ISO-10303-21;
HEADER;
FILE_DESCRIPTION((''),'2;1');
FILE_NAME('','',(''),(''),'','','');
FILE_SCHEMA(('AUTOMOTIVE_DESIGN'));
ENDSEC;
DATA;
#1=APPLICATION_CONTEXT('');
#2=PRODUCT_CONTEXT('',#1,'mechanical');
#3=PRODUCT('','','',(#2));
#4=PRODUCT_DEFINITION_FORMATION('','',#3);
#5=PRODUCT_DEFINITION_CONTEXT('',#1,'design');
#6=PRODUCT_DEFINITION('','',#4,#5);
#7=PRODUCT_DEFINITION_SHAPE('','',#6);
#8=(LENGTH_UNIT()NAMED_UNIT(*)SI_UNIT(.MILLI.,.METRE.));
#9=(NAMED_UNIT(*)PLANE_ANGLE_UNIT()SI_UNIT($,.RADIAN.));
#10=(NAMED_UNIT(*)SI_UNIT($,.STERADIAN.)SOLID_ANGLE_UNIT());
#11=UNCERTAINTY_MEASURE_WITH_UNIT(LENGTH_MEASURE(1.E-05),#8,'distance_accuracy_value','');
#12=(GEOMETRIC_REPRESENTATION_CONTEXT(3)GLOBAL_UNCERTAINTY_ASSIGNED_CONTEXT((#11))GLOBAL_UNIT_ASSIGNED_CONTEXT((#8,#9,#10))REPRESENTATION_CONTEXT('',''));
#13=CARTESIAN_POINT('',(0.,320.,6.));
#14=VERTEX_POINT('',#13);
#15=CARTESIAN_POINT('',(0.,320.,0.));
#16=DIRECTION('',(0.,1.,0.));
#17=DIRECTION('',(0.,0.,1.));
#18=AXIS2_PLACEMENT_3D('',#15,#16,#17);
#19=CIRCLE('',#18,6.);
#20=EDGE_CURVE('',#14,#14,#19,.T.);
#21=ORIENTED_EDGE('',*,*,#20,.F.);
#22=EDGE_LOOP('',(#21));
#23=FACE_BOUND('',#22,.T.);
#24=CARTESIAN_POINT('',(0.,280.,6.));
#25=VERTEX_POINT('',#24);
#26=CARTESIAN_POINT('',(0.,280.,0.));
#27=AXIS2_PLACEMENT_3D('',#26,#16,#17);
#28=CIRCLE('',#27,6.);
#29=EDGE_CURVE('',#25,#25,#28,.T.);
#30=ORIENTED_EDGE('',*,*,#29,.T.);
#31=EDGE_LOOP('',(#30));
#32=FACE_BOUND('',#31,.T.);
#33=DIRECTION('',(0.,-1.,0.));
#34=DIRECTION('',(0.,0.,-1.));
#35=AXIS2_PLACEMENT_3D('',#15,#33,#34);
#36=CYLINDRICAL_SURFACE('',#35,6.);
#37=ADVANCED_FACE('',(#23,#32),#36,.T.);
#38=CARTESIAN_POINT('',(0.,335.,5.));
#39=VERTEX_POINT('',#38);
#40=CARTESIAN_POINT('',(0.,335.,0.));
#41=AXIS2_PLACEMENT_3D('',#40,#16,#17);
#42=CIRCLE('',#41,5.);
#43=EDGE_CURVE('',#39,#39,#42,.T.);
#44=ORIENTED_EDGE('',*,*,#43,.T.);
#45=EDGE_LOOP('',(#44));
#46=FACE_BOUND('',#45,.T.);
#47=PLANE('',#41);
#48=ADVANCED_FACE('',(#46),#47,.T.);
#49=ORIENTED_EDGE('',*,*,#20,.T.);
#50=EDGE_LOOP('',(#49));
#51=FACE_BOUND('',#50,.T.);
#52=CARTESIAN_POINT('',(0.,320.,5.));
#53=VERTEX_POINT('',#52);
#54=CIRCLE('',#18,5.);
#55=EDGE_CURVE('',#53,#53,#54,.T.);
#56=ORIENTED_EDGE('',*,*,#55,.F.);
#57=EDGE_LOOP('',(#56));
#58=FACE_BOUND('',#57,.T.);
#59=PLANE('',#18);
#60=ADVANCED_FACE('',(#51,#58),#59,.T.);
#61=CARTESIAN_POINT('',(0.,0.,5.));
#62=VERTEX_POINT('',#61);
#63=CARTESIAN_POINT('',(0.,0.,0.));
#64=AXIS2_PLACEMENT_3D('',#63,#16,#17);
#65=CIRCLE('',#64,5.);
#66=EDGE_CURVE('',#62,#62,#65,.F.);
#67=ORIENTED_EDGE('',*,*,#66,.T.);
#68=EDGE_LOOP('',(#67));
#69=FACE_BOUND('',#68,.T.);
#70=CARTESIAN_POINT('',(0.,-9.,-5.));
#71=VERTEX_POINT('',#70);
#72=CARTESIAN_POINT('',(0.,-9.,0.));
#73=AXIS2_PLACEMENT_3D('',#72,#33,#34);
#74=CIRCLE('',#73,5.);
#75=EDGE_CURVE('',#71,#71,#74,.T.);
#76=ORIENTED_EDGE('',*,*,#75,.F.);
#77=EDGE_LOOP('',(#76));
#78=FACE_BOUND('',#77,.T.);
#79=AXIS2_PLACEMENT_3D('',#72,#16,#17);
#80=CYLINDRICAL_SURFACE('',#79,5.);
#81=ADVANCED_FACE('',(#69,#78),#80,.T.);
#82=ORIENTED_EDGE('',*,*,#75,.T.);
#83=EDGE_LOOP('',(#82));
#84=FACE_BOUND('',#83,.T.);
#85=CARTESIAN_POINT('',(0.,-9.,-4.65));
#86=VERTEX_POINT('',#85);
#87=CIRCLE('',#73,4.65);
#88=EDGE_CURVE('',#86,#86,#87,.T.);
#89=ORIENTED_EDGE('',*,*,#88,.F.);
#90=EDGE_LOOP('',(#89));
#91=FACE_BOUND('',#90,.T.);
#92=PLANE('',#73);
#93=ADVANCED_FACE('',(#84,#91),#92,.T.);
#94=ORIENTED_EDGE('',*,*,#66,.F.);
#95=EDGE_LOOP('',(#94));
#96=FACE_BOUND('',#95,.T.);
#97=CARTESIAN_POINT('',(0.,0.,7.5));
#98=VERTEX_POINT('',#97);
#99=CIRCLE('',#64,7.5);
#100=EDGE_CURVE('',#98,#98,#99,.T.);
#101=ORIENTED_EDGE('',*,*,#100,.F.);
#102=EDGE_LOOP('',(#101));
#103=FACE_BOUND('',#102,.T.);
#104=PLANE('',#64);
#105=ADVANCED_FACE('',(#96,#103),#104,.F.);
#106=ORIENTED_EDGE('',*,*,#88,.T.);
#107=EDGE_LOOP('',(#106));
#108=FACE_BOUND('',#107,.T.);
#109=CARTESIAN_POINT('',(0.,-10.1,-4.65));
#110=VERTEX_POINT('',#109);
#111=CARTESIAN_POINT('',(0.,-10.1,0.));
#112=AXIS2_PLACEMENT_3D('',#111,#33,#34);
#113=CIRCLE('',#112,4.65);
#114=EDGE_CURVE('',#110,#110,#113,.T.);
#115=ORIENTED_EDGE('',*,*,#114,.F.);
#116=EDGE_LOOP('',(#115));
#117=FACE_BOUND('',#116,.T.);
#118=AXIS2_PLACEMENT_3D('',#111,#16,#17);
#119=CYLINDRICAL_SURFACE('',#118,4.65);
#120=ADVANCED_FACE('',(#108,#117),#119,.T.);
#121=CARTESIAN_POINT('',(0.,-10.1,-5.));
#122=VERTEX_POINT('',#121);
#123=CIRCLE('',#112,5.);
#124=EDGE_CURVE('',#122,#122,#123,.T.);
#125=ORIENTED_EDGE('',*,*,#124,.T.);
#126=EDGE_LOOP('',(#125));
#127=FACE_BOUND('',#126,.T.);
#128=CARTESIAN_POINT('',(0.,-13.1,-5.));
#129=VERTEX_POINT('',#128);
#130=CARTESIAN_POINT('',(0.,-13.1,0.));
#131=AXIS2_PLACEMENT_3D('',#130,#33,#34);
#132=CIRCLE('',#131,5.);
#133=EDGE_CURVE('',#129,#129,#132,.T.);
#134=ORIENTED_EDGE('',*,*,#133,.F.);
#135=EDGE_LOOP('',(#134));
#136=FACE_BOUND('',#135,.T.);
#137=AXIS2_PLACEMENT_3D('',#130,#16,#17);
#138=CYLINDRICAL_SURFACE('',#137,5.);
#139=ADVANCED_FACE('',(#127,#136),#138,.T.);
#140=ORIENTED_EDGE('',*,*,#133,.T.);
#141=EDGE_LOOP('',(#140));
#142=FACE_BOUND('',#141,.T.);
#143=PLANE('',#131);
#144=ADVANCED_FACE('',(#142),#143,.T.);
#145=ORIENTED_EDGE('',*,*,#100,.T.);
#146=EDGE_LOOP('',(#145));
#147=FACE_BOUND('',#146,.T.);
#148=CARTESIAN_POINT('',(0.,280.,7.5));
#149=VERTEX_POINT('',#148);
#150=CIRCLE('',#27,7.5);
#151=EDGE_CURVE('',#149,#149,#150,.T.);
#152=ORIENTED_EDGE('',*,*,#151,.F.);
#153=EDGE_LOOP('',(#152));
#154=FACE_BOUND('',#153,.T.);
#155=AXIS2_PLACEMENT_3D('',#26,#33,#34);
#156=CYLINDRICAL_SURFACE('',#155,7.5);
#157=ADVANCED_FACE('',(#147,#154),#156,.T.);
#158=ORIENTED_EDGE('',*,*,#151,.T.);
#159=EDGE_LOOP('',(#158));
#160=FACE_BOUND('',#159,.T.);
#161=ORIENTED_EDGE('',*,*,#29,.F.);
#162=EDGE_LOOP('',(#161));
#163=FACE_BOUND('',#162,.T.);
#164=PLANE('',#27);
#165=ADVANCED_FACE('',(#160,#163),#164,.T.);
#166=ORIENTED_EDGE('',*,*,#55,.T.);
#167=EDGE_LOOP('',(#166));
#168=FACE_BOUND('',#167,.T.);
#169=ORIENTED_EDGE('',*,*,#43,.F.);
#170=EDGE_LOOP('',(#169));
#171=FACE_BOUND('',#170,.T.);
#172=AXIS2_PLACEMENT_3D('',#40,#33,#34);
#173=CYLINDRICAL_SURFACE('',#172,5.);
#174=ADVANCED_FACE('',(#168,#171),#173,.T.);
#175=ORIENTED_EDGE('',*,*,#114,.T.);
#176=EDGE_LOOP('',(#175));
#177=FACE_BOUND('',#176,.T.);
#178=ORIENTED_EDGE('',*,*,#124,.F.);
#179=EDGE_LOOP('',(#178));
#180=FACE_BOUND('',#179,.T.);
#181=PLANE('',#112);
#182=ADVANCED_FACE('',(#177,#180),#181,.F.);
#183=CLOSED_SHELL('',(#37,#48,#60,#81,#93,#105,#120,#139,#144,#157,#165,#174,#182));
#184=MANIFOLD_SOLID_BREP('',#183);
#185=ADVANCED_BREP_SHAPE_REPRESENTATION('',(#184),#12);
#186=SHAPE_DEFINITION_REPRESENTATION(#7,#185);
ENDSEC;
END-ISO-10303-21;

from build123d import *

# Parameters (mm, degrees)
SKETCH_1_R      = 7.5
EXTRUDE_1_DEPTH = 280
SKETCH_2_R      = 6
EXTRUDE_2_DEPTH = 40
SKETCH_3_R      = 5
EXTRUDE_3_DEPTH = 15
EXTRUDE_START   = 9
SKETCH_4_R      = 5
EXTRUDE_4_DEPTH = 9
SKETCH_5_R      = 4.65
EXTRUDE_5_DEPTH = 1.1
EXTRUDE_START_2 = 3
SKETCH_6_R      = 5
EXTRUDE_6_DEPTH = 3


with BuildPart() as part:
    # 草图1 → 凸台-拉伸1 (new body)
    with BuildSketch(Plane(origin=(0, 0, 0), x_dir=(1, 0, 0), z_dir=(0, 1, 0))):
        with Locations(Location((0, 0, 0), (0, 0, 270))):
            Circle(SKETCH_1_R)
    extrude(amount=EXTRUDE_1_DEPTH)

    # 草图2 → 凸台-拉伸2 (add)
    with BuildSketch(Plane(origin=(0, 280, 0), x_dir=(1, 0, 0), z_dir=(0, 1, 0))):
        with Locations(Location((0, 0, 0), (0, 0, 270))):
            Circle(SKETCH_2_R)
    extrude(amount=EXTRUDE_2_DEPTH)

    # 草图3 → 凸台-拉伸3 (add)
    with BuildSketch(Plane(origin=(0, 320, 0), x_dir=(1, 0, 0), z_dir=(0, 1, 0))):
        with Locations(Location((0, 0, 0), (0, 0, 270))):
            Circle(SKETCH_3_R)
    extrude(amount=EXTRUDE_3_DEPTH)

    # 草图4 → 凸台-拉伸4 (add)
    with BuildSketch(Plane.XZ.offset(EXTRUDE_START)):
        with Locations(Location((0, 0, 0), (0, 0, 90))):
            Circle(SKETCH_4_R)
    extrude(amount=-EXTRUDE_4_DEPTH)

    # 草图5 → 凸台-拉伸5 (add)
    with BuildSketch(Plane.XZ.offset(9)):
        with Locations(Location((0, 0, 0), (0, 0, 270))):
            Circle(SKETCH_5_R)
    extrude(amount=EXTRUDE_5_DEPTH)

    # 草图6 → 凸台-拉伸6 (add)
    with BuildSketch(Plane.XZ.offset(10.1).offset(EXTRUDE_START_2)):
        with Locations(Location((0, 0, 0), (0, 0, 90))):
            Circle(SKETCH_6_R)
    extrude(amount=-EXTRUDE_6_DEPTH)


solid = part.part
